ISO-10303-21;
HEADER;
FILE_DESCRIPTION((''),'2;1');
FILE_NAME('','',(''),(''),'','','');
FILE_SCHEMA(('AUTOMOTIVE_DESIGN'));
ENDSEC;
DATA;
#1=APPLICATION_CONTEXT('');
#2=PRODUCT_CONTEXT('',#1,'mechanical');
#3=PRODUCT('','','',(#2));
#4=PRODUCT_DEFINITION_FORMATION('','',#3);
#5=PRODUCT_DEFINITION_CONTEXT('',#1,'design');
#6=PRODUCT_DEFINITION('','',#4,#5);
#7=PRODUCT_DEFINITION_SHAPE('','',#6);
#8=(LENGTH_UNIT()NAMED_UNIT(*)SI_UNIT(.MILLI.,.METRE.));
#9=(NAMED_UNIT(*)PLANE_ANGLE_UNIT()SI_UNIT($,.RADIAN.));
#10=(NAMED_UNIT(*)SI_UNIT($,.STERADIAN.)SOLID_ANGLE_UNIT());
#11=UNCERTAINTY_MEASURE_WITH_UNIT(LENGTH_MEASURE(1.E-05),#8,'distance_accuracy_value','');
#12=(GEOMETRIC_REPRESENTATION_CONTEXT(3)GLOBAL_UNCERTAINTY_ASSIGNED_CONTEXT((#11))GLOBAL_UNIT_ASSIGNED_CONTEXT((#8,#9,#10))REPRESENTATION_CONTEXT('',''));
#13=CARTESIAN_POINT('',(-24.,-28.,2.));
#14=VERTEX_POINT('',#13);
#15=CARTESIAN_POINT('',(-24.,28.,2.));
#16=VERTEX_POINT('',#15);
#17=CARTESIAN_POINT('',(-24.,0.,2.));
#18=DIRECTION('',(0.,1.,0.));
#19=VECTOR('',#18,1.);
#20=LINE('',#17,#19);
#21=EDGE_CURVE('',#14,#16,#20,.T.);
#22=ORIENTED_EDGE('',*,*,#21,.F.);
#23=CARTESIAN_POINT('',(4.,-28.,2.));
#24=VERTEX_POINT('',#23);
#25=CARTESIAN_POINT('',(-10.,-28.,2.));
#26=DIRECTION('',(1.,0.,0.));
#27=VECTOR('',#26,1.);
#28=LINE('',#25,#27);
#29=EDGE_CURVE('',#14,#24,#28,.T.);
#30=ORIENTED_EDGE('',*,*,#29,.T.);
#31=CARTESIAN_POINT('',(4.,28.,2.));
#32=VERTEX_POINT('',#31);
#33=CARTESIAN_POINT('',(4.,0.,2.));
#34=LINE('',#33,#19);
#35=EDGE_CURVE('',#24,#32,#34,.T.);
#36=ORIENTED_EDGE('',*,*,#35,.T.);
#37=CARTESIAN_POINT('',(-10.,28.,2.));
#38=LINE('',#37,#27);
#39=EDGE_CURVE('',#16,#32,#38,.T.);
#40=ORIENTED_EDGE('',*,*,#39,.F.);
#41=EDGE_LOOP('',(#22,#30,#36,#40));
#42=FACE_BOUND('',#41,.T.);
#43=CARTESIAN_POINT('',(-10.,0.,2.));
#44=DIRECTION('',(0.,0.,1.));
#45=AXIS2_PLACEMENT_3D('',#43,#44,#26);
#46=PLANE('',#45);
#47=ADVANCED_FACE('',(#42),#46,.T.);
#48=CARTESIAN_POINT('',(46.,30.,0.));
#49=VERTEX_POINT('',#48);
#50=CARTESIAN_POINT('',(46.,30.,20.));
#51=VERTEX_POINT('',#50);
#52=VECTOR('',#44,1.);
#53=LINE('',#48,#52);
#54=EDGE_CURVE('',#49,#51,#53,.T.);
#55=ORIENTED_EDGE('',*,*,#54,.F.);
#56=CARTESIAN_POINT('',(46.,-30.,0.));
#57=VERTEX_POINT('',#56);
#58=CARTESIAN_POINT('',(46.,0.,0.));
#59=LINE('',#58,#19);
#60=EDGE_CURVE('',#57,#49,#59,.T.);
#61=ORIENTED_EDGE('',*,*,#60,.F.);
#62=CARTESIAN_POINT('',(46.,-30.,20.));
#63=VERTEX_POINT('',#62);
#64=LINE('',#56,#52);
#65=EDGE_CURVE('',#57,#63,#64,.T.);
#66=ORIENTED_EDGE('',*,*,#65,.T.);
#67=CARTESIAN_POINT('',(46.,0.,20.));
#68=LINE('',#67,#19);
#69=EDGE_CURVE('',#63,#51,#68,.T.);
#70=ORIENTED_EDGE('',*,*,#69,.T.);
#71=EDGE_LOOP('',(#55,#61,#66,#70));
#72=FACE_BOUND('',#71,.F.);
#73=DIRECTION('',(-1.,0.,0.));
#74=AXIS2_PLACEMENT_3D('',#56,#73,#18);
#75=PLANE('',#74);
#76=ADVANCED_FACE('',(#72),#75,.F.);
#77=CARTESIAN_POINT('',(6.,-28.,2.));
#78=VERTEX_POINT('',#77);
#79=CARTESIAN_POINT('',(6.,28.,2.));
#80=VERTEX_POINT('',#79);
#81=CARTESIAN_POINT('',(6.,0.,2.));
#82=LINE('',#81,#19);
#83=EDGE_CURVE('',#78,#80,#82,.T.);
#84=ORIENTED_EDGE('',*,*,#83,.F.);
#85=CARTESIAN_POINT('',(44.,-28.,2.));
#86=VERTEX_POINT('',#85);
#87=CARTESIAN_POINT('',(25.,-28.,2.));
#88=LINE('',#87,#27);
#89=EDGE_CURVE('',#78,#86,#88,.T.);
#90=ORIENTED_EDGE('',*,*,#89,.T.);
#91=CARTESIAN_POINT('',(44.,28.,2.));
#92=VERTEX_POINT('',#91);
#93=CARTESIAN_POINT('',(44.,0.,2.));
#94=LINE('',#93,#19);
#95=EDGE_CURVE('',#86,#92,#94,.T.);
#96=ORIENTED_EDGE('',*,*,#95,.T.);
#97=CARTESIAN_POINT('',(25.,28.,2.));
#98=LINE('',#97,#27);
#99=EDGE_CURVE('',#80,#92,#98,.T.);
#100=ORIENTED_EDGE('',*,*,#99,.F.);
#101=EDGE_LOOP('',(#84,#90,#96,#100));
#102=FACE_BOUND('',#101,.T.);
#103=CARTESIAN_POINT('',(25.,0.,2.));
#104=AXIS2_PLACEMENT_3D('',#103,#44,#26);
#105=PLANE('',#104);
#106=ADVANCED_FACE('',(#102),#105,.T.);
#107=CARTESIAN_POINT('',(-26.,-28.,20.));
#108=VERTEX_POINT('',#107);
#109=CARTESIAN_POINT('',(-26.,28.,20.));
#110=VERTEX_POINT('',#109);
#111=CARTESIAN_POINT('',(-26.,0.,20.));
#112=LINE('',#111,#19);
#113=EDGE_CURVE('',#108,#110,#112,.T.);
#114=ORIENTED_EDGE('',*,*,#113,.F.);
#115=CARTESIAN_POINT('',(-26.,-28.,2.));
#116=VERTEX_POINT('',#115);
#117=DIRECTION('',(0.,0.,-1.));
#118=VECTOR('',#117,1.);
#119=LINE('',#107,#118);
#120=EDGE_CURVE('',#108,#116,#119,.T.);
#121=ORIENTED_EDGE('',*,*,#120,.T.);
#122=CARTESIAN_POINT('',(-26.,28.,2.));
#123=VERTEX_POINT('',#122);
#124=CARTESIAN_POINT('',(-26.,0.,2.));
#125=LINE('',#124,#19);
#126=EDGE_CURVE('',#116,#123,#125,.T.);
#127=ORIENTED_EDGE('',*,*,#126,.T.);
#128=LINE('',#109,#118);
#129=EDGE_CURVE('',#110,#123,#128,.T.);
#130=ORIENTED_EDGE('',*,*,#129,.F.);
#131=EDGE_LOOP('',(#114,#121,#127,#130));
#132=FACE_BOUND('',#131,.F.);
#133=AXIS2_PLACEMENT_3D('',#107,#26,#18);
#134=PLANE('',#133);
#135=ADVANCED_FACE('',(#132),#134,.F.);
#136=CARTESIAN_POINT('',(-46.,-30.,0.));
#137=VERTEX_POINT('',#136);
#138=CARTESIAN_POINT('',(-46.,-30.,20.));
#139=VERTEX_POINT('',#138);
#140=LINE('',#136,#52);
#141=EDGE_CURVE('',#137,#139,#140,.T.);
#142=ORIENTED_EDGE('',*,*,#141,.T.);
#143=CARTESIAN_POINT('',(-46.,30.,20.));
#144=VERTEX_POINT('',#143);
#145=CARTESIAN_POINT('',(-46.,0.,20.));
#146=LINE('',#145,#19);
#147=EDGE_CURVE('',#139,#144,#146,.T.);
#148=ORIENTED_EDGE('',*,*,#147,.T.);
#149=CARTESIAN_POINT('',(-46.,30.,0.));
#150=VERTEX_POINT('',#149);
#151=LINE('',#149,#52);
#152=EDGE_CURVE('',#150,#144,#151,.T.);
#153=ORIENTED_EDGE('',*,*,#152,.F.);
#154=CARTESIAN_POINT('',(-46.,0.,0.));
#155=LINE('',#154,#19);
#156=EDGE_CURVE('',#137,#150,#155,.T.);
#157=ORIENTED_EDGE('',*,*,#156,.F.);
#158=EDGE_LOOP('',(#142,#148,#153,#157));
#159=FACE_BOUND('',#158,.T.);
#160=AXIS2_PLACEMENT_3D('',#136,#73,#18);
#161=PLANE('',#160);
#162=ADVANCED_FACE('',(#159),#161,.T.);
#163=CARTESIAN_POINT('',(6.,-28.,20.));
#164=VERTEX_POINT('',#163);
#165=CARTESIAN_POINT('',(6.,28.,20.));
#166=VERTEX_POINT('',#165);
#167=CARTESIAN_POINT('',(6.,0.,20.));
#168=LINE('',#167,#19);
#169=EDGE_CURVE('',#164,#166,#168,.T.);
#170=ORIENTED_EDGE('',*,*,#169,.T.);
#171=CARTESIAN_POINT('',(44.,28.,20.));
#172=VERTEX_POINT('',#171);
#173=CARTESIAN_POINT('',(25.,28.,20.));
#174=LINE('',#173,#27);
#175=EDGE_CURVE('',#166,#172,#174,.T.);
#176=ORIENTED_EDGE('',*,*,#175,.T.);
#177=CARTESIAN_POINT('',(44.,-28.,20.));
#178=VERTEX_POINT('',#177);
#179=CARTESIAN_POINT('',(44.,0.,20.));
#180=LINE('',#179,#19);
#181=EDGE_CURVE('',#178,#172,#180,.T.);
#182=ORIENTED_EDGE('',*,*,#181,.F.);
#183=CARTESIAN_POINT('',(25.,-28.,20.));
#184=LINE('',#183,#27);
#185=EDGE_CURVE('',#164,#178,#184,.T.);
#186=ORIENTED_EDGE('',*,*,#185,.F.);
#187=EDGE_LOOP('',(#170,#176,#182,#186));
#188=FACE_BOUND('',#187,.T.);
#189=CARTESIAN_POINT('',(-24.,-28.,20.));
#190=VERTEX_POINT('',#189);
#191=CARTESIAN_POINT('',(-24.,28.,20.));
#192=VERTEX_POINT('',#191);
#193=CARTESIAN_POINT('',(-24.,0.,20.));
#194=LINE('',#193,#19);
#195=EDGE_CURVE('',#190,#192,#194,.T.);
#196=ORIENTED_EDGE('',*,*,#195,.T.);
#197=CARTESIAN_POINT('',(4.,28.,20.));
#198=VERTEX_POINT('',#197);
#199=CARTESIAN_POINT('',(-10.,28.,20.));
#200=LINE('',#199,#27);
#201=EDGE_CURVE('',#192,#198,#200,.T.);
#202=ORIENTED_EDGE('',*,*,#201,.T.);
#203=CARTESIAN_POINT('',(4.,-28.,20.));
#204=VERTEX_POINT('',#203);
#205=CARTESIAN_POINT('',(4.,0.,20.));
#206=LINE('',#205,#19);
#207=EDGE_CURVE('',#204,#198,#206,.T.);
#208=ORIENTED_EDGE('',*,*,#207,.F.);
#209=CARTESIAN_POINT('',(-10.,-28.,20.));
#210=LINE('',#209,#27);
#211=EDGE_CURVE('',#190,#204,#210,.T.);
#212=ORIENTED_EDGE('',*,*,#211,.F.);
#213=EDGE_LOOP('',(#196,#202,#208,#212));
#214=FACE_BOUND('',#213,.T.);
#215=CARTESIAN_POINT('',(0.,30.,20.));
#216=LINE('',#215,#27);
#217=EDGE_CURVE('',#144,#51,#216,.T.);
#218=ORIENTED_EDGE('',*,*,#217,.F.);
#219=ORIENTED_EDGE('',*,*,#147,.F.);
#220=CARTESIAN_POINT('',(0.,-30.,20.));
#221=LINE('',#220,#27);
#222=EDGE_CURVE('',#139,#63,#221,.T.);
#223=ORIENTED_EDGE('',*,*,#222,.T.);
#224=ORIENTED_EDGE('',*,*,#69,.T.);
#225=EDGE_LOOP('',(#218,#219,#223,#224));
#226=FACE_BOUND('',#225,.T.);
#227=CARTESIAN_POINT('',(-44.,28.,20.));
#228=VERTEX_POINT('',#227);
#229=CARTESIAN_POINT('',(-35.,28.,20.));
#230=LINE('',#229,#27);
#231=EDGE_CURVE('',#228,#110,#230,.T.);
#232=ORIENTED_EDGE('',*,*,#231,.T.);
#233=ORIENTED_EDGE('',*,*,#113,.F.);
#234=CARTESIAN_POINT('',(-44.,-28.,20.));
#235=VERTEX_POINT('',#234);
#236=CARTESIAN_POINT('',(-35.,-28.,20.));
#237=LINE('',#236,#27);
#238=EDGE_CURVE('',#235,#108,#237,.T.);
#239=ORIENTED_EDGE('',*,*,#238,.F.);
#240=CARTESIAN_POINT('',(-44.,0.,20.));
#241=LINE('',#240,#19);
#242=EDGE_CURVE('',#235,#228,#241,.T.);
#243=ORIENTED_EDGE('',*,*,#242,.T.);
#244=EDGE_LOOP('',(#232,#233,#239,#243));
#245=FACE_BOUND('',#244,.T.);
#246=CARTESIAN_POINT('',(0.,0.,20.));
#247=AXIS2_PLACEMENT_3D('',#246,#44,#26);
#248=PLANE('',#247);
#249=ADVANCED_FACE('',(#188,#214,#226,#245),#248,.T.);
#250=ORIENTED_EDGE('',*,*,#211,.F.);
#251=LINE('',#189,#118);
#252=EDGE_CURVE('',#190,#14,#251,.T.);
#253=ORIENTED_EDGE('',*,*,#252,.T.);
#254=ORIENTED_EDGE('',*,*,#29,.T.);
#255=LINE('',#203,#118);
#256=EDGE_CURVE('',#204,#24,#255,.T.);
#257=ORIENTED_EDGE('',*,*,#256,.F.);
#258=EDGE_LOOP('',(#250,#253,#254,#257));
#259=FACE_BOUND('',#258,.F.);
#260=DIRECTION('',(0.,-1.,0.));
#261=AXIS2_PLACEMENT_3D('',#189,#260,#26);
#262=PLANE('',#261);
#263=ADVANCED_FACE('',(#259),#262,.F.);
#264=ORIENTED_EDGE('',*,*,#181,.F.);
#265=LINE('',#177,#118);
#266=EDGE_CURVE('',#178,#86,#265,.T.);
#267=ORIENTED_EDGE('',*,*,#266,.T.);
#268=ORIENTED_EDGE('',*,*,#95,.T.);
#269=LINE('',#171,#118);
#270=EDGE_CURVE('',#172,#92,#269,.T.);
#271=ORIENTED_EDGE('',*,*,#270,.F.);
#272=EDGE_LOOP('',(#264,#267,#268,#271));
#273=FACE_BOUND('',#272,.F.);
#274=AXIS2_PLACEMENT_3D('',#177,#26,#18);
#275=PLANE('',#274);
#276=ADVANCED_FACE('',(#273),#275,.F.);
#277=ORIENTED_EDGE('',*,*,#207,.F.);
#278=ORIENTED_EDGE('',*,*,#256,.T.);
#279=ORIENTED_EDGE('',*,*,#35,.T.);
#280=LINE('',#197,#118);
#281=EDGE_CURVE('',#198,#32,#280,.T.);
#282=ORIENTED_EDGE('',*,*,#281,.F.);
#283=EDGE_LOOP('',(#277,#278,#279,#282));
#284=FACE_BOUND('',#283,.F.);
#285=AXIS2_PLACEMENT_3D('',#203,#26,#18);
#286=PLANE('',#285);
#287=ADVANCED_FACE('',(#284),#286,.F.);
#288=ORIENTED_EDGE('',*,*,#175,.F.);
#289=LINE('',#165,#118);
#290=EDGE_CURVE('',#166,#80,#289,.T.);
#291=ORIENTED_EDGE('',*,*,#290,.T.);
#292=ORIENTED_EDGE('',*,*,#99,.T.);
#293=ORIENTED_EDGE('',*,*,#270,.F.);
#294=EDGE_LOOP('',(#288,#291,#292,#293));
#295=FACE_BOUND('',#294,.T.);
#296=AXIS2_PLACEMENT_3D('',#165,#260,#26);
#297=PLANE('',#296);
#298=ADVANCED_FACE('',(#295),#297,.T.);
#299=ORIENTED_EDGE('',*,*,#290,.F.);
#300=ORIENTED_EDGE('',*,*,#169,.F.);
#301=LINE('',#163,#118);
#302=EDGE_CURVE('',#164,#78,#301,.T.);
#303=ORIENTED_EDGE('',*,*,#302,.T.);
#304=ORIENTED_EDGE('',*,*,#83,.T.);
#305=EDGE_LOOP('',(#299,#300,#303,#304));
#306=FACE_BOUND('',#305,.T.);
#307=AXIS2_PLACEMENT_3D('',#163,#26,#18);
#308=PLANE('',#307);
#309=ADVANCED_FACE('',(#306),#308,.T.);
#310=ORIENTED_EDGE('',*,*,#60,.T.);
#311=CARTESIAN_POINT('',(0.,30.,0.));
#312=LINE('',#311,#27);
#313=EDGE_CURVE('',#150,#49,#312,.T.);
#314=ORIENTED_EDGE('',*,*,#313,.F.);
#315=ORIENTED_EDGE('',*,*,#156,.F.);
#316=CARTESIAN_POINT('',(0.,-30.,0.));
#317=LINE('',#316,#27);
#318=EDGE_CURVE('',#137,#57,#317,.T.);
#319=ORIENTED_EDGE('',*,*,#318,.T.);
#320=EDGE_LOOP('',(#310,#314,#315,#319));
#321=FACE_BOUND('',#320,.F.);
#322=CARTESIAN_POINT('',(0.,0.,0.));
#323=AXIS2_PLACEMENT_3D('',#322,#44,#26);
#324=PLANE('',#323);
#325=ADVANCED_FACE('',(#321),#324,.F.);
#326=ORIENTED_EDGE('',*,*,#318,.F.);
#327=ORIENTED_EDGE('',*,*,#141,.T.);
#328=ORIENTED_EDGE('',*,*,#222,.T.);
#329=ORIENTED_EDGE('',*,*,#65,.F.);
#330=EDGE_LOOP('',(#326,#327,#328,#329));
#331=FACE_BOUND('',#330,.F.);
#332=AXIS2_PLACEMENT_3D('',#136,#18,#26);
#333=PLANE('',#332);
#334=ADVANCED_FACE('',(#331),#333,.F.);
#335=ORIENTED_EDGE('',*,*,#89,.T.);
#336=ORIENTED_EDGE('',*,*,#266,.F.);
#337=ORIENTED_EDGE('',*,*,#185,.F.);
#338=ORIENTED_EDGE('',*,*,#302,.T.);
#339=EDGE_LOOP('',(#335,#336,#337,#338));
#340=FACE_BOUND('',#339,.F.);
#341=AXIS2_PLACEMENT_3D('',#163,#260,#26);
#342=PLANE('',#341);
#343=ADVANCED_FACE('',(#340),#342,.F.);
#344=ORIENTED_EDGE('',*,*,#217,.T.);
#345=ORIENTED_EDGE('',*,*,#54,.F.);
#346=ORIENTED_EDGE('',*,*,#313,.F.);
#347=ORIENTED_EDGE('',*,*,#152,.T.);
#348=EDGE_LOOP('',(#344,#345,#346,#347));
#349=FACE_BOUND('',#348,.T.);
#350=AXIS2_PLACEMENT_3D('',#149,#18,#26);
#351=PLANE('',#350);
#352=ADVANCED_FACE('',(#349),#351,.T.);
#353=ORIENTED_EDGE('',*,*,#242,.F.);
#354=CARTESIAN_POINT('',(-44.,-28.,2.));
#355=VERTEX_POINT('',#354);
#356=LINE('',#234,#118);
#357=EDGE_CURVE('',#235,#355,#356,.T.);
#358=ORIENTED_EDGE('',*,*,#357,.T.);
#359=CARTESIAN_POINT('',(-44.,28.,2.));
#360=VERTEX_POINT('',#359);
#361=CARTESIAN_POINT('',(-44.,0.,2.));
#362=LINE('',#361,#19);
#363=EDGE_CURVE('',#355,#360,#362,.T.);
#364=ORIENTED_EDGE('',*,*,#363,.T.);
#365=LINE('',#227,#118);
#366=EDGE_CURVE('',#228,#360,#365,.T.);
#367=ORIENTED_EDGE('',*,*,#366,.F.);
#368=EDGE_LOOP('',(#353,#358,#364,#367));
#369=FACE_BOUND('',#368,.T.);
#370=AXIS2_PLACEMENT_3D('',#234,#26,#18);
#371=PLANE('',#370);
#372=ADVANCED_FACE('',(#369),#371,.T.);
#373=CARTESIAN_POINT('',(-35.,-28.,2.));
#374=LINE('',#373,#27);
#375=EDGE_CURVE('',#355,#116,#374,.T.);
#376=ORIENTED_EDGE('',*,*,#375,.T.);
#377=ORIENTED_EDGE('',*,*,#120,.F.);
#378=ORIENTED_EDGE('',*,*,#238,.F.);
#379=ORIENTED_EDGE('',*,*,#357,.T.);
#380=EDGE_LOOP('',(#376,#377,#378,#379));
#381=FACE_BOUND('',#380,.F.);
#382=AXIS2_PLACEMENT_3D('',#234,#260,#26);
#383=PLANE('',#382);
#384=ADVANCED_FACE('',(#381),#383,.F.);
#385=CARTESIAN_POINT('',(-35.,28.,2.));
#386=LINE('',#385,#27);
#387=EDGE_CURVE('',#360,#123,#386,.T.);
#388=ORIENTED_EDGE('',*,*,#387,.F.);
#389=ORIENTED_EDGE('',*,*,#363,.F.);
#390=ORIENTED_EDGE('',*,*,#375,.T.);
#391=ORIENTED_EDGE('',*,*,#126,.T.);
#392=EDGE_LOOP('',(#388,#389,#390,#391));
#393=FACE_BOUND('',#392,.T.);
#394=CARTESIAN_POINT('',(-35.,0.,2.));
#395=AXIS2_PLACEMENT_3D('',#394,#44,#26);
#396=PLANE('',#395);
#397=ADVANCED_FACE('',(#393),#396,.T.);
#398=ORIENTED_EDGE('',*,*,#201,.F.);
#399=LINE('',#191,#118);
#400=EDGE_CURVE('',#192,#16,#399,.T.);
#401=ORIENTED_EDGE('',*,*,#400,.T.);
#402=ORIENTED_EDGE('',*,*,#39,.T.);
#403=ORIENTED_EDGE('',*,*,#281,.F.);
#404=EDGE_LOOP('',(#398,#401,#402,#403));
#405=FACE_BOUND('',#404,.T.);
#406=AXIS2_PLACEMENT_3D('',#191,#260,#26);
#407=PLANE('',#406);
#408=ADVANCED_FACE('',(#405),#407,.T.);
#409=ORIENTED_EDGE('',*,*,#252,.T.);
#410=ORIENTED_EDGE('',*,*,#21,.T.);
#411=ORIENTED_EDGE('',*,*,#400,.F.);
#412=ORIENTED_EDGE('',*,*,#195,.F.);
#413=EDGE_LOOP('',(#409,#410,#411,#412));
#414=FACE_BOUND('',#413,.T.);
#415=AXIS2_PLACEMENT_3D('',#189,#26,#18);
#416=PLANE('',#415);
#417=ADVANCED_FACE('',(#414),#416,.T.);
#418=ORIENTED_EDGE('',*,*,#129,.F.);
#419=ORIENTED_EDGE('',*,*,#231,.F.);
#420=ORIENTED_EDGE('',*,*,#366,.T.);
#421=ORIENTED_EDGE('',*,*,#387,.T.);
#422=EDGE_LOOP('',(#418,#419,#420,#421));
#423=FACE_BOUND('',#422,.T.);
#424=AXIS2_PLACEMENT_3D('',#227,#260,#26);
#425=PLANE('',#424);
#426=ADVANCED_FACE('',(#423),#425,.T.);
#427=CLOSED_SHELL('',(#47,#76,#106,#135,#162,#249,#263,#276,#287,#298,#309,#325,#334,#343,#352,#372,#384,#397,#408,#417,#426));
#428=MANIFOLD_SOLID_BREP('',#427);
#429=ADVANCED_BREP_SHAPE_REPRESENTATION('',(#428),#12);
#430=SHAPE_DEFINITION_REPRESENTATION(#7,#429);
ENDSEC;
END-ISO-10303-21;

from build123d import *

# Parameters (mm, degrees)
F0_W     = 92
F0_H     = 60
F1_DEPTH = 20
F2_W     = 18
F2_H     = 56
F2_W_2   = 28
F2_W_3   = 38
F3_DEPTH = 18


with BuildPart() as f1:
    # F0 (on Top) → F1 (new body)
    with BuildSketch(Plane.XY):
        Rectangle(F0_W, F0_H)
    extrude(amount=F1_DEPTH)

    # F2 (on face) → F3 (cut)
    with BuildSketch(Plane.XY.offset(20)):
        with Locations((-35, 0)):
            Rectangle(F2_W, F2_H)
        with Locations((-10, 0)):
            Rectangle(F2_W_2, F2_H)
        with Locations((25, 0)):
            Rectangle(F2_W_3, F2_H)
    extrude(amount=-F3_DEPTH, mode=Mode.SUBTRACT)


solid = f1.part
